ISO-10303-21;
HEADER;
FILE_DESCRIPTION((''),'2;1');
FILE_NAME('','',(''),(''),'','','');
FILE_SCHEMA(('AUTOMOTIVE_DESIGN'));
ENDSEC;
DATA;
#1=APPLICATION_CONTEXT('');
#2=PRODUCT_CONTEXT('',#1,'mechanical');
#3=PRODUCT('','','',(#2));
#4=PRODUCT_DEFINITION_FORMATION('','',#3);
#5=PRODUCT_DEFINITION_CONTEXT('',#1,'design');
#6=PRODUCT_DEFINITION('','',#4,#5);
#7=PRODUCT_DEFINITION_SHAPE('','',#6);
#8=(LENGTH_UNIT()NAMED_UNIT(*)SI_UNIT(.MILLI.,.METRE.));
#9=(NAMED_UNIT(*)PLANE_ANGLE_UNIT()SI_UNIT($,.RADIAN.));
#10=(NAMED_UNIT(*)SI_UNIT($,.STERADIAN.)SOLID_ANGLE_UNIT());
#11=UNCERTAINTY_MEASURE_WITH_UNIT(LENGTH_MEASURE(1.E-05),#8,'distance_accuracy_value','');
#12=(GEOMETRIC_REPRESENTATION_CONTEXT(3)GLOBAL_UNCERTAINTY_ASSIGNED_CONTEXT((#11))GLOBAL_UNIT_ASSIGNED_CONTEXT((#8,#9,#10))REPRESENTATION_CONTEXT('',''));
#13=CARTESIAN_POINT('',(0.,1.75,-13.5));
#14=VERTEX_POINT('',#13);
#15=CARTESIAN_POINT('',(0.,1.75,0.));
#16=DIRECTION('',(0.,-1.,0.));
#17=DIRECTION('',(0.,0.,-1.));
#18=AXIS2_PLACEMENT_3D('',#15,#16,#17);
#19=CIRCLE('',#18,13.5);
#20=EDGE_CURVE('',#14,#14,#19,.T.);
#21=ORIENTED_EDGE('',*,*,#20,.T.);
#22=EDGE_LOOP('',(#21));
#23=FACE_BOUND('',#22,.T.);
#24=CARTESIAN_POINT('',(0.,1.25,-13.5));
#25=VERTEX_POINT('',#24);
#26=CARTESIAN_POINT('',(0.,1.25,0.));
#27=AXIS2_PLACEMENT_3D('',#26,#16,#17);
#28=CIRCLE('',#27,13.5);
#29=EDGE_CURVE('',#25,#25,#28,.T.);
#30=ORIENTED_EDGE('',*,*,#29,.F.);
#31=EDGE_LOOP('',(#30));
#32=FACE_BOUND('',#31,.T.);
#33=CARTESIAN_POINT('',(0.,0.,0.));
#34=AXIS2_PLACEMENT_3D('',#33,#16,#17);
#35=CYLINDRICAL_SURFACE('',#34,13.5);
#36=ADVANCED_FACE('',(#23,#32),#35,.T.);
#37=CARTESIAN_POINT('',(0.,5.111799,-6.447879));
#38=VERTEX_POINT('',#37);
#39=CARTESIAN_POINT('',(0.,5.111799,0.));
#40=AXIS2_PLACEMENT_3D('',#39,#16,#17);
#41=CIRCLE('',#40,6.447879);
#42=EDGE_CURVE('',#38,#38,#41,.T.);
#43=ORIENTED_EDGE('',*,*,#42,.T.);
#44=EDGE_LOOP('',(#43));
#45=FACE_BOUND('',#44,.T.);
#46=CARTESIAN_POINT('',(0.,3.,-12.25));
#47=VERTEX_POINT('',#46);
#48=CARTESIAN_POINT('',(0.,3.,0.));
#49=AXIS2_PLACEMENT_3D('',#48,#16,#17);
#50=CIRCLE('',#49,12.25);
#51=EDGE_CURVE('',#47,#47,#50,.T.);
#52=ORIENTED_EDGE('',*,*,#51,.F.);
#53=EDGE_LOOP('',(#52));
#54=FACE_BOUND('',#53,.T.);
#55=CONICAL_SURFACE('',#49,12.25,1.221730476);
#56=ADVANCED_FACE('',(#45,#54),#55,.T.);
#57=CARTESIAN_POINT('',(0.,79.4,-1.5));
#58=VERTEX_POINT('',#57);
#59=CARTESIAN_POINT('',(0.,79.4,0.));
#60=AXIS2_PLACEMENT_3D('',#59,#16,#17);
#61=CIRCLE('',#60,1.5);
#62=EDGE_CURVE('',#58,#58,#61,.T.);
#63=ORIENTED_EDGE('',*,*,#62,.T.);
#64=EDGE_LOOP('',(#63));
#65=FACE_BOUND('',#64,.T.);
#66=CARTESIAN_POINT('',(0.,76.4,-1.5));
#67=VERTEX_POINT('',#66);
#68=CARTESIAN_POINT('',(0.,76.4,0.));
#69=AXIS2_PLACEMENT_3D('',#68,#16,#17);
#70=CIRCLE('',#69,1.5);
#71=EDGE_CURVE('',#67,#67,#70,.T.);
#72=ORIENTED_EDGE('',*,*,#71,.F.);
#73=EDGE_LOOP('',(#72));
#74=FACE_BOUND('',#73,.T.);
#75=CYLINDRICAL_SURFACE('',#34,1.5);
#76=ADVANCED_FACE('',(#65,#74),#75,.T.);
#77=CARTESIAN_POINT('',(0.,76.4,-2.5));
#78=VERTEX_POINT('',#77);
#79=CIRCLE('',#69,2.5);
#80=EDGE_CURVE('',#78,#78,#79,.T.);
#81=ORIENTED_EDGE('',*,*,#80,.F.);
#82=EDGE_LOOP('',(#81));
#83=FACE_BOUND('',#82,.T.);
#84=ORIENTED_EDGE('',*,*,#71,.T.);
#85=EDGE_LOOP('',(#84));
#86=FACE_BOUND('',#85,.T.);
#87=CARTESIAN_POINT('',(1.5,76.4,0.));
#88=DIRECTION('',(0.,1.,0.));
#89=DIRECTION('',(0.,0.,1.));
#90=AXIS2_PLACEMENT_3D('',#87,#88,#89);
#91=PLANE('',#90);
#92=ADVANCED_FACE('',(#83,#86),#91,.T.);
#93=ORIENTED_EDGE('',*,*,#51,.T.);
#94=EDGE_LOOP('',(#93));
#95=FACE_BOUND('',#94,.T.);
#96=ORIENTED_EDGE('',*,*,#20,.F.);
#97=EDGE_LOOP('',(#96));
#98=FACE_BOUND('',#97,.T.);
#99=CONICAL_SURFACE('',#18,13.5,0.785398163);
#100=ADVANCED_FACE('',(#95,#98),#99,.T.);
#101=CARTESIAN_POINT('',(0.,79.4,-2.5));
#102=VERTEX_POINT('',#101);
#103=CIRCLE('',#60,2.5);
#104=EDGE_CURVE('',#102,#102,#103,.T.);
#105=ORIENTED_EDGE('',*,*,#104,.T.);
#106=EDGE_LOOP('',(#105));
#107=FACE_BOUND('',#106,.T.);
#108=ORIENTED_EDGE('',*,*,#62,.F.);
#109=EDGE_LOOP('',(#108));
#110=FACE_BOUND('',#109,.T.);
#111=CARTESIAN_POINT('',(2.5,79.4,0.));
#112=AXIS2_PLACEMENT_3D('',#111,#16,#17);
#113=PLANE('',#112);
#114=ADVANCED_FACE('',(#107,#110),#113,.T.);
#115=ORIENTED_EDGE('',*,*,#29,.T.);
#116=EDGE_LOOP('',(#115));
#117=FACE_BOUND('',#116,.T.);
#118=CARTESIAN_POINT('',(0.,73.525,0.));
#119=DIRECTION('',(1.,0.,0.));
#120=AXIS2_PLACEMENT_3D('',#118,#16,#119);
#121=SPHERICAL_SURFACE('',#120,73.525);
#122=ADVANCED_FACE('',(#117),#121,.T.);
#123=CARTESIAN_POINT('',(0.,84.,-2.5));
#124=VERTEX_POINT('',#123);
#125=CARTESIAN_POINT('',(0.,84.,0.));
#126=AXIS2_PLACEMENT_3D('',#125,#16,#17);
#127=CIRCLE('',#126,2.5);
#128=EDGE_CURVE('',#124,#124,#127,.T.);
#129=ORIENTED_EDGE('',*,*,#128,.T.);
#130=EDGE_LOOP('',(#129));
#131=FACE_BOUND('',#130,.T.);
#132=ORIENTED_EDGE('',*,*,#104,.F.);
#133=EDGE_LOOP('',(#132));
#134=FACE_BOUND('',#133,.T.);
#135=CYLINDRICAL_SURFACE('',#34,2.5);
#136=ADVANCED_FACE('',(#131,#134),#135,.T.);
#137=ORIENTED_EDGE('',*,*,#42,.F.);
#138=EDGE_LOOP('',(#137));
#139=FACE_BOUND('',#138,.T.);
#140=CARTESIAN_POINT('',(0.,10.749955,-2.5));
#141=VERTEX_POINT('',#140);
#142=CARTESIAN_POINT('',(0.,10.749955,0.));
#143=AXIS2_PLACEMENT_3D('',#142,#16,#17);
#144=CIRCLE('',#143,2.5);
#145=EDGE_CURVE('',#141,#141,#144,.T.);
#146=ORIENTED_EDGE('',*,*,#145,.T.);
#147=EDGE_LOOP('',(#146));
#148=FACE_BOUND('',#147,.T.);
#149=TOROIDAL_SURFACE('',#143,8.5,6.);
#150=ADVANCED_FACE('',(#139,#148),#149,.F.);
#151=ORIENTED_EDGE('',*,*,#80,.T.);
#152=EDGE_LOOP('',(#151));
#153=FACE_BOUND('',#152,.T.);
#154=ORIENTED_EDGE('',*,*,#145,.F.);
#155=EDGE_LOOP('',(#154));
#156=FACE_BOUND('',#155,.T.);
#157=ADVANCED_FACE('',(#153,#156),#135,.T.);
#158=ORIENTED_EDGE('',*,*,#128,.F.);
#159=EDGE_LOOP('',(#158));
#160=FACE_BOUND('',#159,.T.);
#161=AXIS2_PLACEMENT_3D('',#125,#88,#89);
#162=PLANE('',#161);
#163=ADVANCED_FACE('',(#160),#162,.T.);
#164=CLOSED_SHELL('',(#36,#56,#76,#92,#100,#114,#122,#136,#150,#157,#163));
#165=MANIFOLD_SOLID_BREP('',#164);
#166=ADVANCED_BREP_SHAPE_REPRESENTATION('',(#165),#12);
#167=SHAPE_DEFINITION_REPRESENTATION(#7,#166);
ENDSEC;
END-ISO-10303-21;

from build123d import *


with BuildPart() as part:
    # Sketch1 → Revolve1 (revolve)
    with BuildSketch(Plane.XY, mode=Mode.PRIVATE) as revolve1_sk:
        with BuildLine():
            Line((0, 0), (0, 84))
            Line((0, 84), (2.5, 84))
            Line((2.5, 84), (2.5, 79.4))
            Line((2.5, 79.4), (1.5, 79.4))
            Line((1.5, 79.4), (1.5, 76.4))
            Line((1.5, 76.4), (2.5, 76.4))
            Line((2.5, 76.4), (2.5, 10.749955013))
            ThreePointArc((2.5, 10.749955013), (3.585087734, 7.308496395), (6.44787914, 5.111799289))
            Line((6.44787914, 5.111799289), (12.25, 3))
            Line((12.25, 3), (13.5, 1.75))
            Line((13.5, 1.75), (13.5, 1.25))
            ThreePointArc((13.5, 1.25), (6.778873431, 0.31316694), (0, 0))
        make_face()
    revolve(revolve1_sk.sketch.rotate(Axis((0, 0, 0), (0, 1, 0)), 90), axis=Axis((0, 0, 0), (0, 1, 0)))


solid = part.part
